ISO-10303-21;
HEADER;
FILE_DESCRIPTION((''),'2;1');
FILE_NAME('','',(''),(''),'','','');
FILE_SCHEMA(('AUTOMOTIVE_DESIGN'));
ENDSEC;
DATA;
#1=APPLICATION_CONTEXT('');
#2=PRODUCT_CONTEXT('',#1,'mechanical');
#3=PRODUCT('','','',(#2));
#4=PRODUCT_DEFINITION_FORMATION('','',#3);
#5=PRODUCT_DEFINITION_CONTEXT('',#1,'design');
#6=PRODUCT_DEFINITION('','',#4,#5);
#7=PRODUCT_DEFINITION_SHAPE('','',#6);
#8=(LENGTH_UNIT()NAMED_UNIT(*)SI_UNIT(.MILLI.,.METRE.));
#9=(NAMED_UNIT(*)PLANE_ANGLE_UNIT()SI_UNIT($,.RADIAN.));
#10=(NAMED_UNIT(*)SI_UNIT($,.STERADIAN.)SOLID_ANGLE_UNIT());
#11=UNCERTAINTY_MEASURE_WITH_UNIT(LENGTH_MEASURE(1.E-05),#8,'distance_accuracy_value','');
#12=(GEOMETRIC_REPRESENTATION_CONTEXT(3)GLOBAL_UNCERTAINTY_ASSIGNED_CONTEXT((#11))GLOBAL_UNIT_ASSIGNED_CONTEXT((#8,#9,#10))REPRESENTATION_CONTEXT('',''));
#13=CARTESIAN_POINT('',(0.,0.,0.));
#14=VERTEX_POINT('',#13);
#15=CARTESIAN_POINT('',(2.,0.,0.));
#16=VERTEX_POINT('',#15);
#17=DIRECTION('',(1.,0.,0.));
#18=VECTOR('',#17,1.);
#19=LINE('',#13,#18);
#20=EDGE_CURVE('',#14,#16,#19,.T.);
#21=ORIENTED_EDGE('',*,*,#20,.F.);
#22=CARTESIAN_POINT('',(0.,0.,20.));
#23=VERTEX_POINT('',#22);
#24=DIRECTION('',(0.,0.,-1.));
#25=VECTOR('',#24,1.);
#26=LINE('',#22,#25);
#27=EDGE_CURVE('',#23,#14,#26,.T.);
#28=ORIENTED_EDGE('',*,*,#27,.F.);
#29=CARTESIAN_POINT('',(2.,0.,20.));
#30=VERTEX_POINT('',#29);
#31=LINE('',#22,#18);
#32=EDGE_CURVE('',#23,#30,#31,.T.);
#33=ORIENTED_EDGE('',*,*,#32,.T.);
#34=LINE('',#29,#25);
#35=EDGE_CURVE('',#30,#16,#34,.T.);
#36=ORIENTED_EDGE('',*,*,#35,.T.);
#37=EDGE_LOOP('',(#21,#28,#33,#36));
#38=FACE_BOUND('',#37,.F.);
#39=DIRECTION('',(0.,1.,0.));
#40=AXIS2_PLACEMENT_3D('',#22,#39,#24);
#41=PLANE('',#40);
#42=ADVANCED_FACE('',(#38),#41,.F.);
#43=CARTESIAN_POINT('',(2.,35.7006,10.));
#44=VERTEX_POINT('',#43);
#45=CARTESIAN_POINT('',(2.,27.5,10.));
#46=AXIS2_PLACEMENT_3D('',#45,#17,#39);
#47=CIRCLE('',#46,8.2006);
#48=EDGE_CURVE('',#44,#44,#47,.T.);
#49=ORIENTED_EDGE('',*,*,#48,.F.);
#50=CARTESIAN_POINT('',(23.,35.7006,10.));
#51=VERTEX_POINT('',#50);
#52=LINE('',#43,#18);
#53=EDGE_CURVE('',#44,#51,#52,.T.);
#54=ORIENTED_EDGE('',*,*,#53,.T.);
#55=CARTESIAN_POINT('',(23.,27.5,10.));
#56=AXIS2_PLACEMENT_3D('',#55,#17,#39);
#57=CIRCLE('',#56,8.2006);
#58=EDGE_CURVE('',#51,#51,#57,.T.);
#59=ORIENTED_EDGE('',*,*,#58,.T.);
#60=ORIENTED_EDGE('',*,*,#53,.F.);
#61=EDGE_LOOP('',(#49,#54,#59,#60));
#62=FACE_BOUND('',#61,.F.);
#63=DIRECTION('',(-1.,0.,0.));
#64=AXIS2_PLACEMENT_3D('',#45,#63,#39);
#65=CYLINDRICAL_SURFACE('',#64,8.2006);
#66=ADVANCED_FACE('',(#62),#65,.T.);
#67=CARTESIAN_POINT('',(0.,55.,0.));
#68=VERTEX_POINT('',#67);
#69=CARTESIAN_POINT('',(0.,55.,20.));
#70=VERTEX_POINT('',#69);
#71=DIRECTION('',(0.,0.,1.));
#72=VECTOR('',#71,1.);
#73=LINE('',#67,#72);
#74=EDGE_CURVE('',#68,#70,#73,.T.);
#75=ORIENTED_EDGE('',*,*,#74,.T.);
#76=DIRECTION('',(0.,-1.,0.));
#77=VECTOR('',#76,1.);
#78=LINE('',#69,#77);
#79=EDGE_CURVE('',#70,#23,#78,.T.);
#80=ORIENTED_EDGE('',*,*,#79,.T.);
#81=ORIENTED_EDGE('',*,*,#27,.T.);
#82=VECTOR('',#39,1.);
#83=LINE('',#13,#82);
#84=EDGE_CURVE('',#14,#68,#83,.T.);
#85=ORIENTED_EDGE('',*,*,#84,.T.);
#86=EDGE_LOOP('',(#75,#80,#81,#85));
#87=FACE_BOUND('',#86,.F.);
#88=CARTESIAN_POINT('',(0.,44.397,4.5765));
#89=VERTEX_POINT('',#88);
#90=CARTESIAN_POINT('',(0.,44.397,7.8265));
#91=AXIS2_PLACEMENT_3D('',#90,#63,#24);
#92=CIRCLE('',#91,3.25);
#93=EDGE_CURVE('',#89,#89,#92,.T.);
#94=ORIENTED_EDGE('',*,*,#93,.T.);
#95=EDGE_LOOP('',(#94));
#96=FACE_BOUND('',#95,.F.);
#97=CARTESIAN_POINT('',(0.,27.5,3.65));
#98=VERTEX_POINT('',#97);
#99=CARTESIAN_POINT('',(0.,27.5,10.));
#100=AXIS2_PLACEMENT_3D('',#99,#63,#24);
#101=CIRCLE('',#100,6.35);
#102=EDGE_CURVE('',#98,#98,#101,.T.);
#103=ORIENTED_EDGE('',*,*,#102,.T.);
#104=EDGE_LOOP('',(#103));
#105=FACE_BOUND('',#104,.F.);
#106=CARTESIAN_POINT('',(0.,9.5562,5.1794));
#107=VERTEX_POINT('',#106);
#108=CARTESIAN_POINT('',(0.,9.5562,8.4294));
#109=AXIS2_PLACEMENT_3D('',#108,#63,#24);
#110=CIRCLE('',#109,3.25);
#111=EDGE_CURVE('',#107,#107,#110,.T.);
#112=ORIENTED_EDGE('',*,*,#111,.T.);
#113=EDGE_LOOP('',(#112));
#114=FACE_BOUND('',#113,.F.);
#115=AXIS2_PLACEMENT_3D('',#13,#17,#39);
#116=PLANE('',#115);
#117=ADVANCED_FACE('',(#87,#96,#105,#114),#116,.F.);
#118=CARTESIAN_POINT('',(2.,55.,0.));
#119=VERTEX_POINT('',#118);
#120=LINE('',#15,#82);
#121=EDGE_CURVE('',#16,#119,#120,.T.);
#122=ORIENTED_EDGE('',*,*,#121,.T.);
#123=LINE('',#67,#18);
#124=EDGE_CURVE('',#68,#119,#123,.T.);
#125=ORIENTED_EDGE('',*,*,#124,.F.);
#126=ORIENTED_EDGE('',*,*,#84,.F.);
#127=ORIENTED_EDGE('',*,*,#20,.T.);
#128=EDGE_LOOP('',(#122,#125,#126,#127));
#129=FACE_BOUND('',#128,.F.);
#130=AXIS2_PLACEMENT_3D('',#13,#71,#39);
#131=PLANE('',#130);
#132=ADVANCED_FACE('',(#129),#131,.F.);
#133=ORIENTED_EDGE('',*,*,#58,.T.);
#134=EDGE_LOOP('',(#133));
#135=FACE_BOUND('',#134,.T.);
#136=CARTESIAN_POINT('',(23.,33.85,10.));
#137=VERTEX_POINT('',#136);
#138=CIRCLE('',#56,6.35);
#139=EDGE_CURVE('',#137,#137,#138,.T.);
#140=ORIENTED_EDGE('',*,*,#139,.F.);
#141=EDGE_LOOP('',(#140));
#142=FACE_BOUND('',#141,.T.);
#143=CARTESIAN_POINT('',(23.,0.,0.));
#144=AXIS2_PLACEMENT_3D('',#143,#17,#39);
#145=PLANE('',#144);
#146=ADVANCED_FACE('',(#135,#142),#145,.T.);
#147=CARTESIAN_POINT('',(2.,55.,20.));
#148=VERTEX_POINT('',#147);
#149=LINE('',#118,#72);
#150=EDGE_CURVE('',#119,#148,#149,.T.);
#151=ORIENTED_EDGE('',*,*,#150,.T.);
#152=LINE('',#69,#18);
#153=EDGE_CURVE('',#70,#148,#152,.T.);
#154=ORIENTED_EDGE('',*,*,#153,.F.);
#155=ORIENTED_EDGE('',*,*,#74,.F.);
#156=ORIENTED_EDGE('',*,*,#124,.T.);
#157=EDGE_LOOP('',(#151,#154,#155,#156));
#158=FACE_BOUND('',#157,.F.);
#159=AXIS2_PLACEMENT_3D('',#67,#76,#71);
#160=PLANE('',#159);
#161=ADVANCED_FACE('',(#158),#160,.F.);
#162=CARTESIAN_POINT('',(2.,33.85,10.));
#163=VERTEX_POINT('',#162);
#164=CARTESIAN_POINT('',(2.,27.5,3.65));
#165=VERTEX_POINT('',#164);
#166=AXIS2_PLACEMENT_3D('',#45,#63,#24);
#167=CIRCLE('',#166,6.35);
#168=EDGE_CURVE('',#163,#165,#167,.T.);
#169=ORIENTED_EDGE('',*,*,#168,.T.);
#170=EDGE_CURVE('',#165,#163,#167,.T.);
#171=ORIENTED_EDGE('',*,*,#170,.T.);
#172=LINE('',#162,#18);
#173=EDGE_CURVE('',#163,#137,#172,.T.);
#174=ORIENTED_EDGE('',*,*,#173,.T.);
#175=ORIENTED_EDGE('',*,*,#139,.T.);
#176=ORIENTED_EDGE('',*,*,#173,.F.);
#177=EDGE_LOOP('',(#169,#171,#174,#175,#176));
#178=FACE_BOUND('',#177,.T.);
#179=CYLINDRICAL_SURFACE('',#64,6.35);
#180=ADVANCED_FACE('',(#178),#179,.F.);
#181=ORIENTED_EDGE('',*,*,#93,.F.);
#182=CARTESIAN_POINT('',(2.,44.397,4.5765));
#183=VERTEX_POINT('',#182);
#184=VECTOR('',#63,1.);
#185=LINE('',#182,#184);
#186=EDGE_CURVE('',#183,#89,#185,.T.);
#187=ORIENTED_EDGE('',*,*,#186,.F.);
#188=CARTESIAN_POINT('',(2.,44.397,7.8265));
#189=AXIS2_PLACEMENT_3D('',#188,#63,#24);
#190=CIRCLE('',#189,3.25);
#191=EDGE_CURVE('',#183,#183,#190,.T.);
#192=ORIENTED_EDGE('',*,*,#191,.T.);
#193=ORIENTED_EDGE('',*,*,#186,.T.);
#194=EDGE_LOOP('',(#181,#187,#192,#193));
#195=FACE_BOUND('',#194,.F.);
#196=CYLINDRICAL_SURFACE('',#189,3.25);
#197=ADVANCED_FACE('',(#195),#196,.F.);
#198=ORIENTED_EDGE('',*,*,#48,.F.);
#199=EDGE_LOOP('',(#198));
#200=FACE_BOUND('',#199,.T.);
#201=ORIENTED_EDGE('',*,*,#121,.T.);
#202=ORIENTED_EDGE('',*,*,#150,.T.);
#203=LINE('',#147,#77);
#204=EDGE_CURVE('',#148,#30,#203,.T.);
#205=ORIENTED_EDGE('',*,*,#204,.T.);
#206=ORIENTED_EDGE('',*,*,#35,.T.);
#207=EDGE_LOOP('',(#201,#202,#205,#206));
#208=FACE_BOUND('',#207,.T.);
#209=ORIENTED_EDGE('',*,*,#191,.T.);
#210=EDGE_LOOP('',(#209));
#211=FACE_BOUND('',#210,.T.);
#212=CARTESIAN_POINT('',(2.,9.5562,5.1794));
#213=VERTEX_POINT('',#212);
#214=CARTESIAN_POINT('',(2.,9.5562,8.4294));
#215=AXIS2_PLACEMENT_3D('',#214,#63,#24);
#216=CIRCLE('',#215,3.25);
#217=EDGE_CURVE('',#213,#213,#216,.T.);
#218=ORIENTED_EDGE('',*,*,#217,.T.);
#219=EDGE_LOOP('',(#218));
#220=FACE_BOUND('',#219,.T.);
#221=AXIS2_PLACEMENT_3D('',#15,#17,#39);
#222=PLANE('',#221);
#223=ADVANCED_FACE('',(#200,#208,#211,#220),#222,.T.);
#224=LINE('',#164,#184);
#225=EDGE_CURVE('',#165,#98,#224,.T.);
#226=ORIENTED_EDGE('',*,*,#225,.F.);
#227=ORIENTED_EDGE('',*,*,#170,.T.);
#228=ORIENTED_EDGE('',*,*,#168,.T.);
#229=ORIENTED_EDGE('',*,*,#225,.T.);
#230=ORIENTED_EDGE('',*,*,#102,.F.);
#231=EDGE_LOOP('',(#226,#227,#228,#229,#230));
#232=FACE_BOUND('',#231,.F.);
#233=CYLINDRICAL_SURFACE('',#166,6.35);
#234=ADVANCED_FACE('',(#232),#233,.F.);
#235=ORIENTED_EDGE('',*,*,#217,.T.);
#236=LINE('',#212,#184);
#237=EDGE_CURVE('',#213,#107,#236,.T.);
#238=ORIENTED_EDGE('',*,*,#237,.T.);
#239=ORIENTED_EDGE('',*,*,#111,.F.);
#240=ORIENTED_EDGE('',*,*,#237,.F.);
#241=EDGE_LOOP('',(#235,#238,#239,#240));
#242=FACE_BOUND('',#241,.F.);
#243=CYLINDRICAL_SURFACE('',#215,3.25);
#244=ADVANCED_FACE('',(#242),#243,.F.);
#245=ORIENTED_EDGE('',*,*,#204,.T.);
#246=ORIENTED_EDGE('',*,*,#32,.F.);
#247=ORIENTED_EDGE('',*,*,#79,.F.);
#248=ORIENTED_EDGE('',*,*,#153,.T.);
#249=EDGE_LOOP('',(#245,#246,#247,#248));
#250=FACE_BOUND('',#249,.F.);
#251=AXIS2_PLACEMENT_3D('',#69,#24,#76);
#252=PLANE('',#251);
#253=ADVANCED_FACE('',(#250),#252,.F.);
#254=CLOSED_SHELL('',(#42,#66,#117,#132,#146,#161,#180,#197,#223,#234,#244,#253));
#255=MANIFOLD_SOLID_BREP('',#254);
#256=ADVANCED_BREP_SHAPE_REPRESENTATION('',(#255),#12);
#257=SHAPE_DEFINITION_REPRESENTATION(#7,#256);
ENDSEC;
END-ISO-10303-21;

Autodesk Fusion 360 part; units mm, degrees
sketch "Sketch1" plane through (0, 0, 0) normal (1, 0, 0) x (0, 1, 0)
  line L0 (0, 0) -> (55, 0)
  line L1 (55, 0) -> (55, 20)
  line L2 (55, 20) -> (0, 20)
  line L3 (0, 20) -> (0, 0)
sketch "Sketch2" plane through (0, 0, 0) normal (1, 0, 0) x (0, 1, 0)
  circle A0 centre (27.5766, 10.2067) radius 6.35
  dimension "d1" = 12.7
extrude "Extrude1" add sketch "Sketch1" along normal blind 2
hole "Hole1" at (2, 27.5, 10) direction (-1, 0, 0) diameter 12.7 depth 8 tip angle 118
sketch "Sketch3" plane through (2, 0, 0) normal (1, 0, 0) x (0, 1, 0)
  circle A0 centre (27.5, 10) radius 6.35
  line L0 (0, 20) -> (0, 0)
  line L1 (0, 0) -> (55, 0)
  line L2 (55, 0) -> (55, 20)
  line L3 (55, 20) -> (0, 20)
  circle A1 centre (27.5, 10) radius 8.2006
  circle A2 centre (27.5, 10) radius 6.35
extrude "Extrude2" add sketch "Sketch3" along normal blind 21 contours A1
hole "Hole2" at (2, 9.5562, 8.4294) direction (-1, 0, 0) diameter 6.5 depth 8 tip angle 118
hole "Hole3" at (2, 44.397, 7.8265) direction (-1, 0, 0) diameter 6.5 depth 8 tip angle 118
